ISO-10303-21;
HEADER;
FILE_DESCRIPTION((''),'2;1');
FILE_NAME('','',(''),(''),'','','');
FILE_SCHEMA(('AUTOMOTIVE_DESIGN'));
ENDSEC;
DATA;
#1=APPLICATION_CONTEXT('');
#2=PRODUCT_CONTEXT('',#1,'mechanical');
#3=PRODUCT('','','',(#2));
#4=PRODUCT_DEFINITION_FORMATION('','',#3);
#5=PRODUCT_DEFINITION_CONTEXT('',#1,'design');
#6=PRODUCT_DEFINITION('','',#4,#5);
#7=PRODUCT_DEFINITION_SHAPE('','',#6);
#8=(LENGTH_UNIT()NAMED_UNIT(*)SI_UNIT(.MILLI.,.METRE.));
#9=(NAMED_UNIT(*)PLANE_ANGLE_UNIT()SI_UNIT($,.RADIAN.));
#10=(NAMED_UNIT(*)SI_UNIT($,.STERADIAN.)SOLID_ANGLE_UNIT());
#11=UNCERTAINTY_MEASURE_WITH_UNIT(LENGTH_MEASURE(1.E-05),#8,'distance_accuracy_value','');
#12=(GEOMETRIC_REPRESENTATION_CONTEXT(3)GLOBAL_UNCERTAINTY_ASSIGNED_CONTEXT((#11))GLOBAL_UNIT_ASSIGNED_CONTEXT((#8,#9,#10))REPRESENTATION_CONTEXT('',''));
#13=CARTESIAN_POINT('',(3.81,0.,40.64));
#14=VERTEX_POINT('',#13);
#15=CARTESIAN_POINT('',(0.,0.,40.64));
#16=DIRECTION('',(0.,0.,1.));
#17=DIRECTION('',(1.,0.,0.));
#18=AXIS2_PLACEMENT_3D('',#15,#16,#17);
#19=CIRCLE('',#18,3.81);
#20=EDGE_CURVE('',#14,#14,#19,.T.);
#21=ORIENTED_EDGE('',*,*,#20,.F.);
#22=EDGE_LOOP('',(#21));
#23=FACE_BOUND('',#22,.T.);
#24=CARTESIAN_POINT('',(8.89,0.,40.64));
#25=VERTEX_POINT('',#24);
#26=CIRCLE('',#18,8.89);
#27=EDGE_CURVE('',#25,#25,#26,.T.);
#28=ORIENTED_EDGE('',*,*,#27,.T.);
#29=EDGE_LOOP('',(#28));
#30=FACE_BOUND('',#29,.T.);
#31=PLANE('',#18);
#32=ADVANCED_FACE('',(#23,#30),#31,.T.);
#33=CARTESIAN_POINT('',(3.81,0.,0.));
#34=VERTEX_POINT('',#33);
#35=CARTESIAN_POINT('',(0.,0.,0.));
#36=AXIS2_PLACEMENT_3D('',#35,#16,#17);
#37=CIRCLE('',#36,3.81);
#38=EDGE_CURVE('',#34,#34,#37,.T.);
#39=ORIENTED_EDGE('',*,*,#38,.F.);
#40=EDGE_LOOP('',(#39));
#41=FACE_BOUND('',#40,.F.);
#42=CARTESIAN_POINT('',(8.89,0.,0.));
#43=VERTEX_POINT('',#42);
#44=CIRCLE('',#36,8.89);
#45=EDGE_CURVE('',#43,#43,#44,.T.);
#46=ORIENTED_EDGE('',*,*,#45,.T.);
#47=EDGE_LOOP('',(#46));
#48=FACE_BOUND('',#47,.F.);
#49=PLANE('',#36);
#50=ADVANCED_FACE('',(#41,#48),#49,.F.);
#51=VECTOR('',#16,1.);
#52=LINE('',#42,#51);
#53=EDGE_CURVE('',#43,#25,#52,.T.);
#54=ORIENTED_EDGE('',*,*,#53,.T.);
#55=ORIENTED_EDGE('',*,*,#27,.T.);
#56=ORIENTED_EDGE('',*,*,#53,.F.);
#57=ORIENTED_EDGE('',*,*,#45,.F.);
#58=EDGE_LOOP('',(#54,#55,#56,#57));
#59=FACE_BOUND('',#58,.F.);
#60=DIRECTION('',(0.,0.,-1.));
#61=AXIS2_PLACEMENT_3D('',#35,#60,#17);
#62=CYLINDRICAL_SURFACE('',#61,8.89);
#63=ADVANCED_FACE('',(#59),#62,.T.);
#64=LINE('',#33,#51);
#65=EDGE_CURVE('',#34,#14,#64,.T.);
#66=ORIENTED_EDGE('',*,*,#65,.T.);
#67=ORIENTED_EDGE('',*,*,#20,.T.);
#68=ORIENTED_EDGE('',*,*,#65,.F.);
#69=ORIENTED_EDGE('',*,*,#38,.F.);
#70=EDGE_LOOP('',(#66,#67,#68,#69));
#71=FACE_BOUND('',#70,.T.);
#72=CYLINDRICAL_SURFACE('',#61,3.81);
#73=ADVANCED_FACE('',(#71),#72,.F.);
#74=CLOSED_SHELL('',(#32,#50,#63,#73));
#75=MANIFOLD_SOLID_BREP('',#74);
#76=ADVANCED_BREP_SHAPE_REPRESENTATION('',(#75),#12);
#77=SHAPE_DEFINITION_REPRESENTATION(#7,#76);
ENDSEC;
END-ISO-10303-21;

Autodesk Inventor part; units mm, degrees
ref_plane "YZ Plane" through (0, 0, 0) normal (1, 0, 0) x (0, 1, 0)
ref_plane "XZ Plane" through (0, 0, 0) normal (0, 1, 0) x (-1, 0, 0)
ref_plane "XY Plane" through (0, 0, 0) normal (0, 0, 1) x (1, 0, 0)
sketch "profile_sketch" plane through (0, 0, 0) normal (0, 0, 1) x (1, 0, 0)
  circle A0 centre (0, 0) radius 3.81
  circle A1 centre (0, 0) radius 8.89
  dimension "d0" = 7.62
  dimension "d1" = 5.08
extrude "profile_extrusion" add sketch "profile_sketch" along normal blind 40.64
equation "\"d0\" = so_inner_diameter"
equation "\"d1\" = so_wall_thickness"
equation "\"d2\" = so_length"
equation "\"so_inner_diameter\" = 7.62"
equation "\"so_wall_thickness\" = 5.08"
equation "\"so_length\" = 40.64"
properties part number "standoff(so)"
